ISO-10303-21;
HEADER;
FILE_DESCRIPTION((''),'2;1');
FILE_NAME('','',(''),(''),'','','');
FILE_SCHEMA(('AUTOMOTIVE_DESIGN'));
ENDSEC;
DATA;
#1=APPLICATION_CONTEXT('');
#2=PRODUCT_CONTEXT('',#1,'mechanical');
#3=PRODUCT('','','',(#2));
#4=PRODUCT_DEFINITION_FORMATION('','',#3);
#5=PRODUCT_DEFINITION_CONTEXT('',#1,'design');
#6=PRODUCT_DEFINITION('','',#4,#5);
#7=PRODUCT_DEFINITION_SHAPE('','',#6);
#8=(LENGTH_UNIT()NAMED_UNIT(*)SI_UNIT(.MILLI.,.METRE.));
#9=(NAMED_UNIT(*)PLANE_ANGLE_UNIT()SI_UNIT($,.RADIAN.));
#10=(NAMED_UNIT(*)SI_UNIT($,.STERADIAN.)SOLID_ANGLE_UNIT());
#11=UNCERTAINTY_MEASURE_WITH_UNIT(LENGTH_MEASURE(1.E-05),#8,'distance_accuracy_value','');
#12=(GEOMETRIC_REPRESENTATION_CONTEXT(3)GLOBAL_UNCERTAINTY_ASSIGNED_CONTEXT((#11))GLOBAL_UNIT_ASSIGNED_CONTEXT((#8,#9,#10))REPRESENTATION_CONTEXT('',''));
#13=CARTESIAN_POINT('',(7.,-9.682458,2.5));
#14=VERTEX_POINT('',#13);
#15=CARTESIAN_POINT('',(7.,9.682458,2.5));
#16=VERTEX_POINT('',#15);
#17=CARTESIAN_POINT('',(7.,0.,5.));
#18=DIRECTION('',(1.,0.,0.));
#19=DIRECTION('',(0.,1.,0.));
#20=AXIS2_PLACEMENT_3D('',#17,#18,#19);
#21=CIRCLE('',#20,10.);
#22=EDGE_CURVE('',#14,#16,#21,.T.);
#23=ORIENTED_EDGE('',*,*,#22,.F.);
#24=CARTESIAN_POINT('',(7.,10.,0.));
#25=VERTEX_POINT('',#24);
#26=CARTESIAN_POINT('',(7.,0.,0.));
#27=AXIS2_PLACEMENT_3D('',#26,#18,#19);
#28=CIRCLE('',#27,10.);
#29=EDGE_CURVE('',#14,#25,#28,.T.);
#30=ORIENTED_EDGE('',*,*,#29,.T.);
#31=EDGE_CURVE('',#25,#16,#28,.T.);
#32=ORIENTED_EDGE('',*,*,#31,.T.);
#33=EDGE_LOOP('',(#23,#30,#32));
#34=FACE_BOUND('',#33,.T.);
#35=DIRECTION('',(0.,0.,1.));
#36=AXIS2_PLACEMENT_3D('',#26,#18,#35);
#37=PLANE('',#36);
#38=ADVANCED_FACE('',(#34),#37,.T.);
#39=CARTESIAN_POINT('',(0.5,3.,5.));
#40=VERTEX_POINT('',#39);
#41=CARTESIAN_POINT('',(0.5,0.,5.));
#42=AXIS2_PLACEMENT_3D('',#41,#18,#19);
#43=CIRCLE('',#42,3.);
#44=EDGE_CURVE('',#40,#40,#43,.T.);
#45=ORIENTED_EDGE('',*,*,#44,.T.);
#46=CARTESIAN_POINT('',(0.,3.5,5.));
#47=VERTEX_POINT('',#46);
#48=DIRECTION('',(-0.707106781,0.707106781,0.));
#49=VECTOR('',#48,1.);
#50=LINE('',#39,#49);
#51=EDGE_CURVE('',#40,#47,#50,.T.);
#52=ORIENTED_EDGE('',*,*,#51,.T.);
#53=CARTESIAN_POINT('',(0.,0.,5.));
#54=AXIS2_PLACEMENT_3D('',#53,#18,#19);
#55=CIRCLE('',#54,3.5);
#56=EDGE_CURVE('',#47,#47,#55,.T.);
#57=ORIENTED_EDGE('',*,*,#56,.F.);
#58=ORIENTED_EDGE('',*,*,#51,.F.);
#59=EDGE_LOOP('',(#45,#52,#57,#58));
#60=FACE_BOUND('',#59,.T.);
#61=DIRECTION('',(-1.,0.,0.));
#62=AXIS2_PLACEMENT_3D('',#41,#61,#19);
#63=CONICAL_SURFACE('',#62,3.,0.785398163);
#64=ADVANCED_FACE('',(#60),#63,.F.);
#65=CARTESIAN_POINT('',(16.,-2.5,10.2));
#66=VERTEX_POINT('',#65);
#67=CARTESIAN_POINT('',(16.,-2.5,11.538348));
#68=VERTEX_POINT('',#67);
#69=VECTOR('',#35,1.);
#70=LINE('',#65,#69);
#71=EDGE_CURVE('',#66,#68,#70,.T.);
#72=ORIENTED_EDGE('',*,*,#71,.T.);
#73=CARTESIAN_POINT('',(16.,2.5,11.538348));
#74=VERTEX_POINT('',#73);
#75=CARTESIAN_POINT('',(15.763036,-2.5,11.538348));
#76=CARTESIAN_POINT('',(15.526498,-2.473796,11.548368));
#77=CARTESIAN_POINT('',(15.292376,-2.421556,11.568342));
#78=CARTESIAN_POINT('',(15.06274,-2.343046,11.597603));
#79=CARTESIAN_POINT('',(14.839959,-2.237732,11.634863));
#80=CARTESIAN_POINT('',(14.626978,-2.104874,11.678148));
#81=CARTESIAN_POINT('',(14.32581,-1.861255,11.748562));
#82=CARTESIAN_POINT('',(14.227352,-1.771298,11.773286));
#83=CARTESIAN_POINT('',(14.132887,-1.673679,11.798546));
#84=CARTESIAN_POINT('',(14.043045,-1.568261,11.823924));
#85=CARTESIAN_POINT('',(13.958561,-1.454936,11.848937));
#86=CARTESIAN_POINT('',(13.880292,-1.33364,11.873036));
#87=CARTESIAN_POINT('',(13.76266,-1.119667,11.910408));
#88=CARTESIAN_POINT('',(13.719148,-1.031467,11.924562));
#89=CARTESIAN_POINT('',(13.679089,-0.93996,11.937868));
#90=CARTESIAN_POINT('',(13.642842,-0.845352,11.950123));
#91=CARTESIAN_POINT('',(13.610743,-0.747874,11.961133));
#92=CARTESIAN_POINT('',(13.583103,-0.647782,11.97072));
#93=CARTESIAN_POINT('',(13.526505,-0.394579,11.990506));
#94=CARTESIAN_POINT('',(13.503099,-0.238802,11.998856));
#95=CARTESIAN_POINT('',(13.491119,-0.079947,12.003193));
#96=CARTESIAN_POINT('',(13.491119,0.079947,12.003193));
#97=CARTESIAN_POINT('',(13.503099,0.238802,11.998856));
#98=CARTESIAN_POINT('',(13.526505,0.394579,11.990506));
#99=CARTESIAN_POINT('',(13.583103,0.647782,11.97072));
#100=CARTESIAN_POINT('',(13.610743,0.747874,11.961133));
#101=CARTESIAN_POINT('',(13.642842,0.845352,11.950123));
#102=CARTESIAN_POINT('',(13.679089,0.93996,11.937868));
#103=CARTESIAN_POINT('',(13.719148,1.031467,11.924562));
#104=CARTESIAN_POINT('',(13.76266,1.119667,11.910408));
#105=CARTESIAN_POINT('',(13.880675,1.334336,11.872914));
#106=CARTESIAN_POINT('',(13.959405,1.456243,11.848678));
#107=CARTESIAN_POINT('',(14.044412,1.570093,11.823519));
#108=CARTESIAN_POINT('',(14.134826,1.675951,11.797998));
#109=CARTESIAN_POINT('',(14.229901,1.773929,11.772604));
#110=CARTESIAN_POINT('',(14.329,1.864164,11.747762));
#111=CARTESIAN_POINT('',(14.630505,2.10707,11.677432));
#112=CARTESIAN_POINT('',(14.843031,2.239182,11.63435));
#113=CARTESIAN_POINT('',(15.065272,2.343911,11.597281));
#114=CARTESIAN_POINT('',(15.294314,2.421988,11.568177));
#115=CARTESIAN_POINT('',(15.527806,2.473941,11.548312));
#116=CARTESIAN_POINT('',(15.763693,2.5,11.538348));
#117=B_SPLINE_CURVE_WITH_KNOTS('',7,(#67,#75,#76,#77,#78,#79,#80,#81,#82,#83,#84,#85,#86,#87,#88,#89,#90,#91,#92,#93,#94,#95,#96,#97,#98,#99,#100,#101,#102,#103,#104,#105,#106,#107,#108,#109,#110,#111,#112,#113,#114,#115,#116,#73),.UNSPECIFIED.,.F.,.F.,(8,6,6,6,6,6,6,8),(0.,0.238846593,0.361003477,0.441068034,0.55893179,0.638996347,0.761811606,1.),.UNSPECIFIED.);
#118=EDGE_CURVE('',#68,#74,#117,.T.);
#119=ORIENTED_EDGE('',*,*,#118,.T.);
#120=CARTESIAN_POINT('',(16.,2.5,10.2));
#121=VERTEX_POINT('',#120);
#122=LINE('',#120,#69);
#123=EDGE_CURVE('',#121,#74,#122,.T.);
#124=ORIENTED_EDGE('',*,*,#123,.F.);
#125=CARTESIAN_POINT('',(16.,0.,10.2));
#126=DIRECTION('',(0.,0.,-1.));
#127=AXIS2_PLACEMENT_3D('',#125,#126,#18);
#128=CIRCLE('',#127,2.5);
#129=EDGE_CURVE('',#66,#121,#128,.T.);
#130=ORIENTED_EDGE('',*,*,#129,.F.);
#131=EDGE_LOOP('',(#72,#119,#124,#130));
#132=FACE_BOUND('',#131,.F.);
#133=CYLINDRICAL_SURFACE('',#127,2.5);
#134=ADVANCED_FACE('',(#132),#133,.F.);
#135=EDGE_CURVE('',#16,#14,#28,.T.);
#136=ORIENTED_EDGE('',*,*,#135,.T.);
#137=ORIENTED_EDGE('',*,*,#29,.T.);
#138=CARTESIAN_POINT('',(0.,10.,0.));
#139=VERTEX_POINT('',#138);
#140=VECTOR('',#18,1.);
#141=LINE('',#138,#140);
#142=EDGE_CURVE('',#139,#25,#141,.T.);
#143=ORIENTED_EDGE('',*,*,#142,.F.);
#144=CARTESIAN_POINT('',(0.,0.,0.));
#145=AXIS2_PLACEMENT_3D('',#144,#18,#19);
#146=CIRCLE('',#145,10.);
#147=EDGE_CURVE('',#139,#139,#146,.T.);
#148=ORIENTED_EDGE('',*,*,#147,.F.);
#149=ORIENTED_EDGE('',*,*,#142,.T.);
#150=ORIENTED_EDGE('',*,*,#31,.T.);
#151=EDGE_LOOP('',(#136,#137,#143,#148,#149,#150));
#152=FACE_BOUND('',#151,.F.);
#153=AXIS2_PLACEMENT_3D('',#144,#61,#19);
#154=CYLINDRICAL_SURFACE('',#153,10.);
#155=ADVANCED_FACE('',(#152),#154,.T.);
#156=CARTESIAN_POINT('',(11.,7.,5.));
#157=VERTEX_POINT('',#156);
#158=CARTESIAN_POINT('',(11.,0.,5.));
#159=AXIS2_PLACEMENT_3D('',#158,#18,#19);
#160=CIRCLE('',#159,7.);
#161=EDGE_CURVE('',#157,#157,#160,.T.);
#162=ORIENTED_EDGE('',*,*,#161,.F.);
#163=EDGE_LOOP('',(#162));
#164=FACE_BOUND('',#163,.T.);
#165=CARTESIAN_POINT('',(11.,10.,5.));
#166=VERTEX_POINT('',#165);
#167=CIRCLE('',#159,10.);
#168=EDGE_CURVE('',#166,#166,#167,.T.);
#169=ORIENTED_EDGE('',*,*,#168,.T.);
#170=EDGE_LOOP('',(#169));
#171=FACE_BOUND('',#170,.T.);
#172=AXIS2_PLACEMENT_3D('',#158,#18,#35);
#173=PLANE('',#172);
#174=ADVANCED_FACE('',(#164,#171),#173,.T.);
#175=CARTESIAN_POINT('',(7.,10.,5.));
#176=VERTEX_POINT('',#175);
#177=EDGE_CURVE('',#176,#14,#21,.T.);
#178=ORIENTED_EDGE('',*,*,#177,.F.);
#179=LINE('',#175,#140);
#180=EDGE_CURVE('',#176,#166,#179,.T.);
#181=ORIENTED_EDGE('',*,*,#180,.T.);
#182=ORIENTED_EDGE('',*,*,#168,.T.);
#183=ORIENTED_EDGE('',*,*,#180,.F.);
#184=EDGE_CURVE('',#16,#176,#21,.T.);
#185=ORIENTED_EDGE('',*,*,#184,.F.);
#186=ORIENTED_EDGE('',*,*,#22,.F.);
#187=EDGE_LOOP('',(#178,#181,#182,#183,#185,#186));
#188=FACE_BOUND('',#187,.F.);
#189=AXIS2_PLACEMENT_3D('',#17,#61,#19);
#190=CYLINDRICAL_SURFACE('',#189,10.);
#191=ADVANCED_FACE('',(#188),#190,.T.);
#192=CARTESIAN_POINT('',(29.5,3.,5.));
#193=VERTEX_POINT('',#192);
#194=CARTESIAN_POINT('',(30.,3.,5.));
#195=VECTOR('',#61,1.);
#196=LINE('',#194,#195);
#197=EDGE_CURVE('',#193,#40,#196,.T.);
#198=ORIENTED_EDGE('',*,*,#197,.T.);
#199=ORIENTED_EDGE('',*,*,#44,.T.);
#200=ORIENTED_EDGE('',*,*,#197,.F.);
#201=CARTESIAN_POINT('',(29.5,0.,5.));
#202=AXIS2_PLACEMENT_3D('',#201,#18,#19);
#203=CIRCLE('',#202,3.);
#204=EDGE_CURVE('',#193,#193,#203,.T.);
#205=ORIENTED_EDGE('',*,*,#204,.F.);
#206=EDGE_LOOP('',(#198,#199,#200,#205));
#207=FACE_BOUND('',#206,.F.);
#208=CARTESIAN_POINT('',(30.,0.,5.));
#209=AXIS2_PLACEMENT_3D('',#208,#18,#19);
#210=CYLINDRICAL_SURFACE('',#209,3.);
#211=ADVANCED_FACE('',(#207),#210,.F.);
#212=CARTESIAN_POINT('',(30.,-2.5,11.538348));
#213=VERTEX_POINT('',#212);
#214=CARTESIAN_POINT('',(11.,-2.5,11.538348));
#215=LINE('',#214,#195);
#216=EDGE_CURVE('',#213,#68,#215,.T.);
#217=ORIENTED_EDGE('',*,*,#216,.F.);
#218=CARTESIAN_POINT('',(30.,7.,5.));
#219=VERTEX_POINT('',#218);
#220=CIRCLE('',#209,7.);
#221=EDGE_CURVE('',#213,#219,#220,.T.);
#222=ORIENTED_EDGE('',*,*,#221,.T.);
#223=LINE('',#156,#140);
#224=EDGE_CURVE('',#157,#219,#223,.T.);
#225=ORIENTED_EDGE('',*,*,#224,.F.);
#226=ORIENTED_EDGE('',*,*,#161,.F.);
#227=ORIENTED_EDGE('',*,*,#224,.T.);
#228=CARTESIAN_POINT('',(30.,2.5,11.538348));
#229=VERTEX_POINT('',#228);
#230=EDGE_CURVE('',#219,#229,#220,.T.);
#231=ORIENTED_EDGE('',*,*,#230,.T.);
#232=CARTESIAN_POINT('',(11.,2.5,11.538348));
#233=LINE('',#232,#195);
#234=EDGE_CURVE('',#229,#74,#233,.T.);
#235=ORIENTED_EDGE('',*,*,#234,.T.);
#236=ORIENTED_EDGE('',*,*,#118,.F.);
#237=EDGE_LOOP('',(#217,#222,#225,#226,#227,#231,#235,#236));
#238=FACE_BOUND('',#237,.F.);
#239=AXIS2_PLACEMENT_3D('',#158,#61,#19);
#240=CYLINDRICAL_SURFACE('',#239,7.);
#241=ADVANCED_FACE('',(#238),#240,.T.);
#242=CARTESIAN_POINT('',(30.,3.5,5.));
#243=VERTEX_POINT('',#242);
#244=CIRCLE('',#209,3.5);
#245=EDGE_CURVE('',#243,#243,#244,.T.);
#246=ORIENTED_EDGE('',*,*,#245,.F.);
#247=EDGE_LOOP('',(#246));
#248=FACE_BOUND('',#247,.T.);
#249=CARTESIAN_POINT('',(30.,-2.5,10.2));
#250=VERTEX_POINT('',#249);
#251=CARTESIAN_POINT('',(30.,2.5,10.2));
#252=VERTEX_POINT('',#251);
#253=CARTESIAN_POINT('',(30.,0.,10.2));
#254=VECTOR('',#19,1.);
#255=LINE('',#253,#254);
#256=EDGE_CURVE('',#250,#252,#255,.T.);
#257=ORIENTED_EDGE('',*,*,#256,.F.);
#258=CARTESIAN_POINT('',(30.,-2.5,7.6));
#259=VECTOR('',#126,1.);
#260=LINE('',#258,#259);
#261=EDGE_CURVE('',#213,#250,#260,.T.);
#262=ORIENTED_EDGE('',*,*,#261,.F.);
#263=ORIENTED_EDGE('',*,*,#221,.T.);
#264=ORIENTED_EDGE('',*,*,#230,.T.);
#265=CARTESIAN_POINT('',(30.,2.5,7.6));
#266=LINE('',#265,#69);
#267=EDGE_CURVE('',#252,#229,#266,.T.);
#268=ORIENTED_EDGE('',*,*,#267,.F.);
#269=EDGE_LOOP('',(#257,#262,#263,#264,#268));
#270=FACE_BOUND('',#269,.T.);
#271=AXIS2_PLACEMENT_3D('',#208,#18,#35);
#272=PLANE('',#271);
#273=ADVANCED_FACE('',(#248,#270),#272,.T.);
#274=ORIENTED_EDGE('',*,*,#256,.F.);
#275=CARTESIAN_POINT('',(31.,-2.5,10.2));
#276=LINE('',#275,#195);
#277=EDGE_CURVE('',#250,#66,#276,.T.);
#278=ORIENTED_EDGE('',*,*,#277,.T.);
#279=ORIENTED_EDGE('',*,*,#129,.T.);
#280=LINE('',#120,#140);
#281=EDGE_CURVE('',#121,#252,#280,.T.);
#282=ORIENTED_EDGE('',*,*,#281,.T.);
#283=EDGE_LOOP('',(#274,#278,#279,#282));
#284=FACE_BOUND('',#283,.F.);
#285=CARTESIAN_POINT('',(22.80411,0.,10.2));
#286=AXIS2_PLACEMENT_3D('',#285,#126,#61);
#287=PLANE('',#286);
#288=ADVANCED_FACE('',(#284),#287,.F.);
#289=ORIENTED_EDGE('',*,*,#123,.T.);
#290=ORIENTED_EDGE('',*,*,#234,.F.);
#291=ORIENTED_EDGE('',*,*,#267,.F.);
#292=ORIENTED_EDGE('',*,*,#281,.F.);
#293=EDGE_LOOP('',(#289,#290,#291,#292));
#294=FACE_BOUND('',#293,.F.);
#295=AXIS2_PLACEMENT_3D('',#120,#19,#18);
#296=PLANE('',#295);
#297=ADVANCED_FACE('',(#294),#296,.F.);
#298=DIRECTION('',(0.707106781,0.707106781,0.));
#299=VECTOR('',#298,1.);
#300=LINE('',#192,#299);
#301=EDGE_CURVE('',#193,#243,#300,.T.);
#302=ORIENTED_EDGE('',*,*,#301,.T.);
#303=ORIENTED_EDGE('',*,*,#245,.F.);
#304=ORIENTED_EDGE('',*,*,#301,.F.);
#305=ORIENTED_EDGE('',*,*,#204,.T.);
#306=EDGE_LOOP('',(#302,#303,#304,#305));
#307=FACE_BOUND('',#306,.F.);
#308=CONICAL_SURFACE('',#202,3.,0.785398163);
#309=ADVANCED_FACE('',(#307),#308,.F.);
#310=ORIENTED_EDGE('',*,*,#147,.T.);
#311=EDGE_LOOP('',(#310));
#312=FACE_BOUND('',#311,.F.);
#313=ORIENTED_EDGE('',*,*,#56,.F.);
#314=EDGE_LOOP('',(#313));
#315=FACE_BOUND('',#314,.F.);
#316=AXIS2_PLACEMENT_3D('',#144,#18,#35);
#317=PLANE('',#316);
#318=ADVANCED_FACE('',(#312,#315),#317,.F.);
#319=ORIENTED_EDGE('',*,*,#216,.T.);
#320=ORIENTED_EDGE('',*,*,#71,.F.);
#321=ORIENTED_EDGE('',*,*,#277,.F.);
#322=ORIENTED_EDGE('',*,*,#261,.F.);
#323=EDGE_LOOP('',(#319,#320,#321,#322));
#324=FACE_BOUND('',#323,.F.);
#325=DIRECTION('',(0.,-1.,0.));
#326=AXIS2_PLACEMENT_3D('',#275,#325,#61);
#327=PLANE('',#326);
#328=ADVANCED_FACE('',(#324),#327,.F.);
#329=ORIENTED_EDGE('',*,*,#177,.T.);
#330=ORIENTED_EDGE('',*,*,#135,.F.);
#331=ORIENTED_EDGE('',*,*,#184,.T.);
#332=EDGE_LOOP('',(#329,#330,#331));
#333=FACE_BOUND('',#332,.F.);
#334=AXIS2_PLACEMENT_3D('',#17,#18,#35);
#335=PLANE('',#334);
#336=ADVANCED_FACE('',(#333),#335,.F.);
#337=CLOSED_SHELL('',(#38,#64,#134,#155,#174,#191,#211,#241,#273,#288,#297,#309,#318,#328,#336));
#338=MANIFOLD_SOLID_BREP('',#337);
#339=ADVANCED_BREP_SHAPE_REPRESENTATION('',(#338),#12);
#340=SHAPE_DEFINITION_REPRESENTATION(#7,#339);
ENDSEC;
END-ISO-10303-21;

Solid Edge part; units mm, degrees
sketch "Sketch1" plane through (0, 0, 0) normal (1, 0, 0) x (0, 1, 0)
  circle A0 centre (0, 0) radius 10
extrude "Protrusion1" add sketch "Sketch1" along normal blind 7
sketch "Sketch2" plane through (7, 0, 0) normal (1, 0, 0) x (0, 1, 0)
  circle A0 centre (0, 5) radius 10
extrude "ExtrudedProtrusion_2" add sketch "Sketch2" along normal blind 4
sketch "Sketch3" plane through (11, 0, 5) normal (1, 0, 0) x (0, 1, 0)
  circle A0 centre (0, 0) radius 7
extrude "ExtrudedProtrusion_3" add sketch "Sketch3" along normal blind 19
sketch "Sketch4" plane through (30, 0, 5) normal (1, 0, 0) x (0, 1, 0)
  circle A0 centre (0, 0) radius 3
extrude "ExtrudedCutout_1" cut sketch "Sketch4" against normal blind 61.3249
chamfer "Chamfer_2" distance 0.5 angle 45 2 edges at (0, 3, 5) (30, -3, 5) measured on face at (5.3, 1.6602, 7.4988)
sketch "Sketch5" plane through (0, 0, 10.2) normal (0, 0, 1) x (1, 0, 0)
  line L0 (31, 2.5) -> (31, -2.5)
  line L1 (31, -2.5) -> (16, -2.5)
  arc A0 (16, -2.5) -> (16, 2.5) centre (16, 0) cw
  line L2 (16, 2.5) -> (31, 2.5)
extrude "ExtrudedCutout_2" cut sketch "Sketch5" along normal blind 26.2819
